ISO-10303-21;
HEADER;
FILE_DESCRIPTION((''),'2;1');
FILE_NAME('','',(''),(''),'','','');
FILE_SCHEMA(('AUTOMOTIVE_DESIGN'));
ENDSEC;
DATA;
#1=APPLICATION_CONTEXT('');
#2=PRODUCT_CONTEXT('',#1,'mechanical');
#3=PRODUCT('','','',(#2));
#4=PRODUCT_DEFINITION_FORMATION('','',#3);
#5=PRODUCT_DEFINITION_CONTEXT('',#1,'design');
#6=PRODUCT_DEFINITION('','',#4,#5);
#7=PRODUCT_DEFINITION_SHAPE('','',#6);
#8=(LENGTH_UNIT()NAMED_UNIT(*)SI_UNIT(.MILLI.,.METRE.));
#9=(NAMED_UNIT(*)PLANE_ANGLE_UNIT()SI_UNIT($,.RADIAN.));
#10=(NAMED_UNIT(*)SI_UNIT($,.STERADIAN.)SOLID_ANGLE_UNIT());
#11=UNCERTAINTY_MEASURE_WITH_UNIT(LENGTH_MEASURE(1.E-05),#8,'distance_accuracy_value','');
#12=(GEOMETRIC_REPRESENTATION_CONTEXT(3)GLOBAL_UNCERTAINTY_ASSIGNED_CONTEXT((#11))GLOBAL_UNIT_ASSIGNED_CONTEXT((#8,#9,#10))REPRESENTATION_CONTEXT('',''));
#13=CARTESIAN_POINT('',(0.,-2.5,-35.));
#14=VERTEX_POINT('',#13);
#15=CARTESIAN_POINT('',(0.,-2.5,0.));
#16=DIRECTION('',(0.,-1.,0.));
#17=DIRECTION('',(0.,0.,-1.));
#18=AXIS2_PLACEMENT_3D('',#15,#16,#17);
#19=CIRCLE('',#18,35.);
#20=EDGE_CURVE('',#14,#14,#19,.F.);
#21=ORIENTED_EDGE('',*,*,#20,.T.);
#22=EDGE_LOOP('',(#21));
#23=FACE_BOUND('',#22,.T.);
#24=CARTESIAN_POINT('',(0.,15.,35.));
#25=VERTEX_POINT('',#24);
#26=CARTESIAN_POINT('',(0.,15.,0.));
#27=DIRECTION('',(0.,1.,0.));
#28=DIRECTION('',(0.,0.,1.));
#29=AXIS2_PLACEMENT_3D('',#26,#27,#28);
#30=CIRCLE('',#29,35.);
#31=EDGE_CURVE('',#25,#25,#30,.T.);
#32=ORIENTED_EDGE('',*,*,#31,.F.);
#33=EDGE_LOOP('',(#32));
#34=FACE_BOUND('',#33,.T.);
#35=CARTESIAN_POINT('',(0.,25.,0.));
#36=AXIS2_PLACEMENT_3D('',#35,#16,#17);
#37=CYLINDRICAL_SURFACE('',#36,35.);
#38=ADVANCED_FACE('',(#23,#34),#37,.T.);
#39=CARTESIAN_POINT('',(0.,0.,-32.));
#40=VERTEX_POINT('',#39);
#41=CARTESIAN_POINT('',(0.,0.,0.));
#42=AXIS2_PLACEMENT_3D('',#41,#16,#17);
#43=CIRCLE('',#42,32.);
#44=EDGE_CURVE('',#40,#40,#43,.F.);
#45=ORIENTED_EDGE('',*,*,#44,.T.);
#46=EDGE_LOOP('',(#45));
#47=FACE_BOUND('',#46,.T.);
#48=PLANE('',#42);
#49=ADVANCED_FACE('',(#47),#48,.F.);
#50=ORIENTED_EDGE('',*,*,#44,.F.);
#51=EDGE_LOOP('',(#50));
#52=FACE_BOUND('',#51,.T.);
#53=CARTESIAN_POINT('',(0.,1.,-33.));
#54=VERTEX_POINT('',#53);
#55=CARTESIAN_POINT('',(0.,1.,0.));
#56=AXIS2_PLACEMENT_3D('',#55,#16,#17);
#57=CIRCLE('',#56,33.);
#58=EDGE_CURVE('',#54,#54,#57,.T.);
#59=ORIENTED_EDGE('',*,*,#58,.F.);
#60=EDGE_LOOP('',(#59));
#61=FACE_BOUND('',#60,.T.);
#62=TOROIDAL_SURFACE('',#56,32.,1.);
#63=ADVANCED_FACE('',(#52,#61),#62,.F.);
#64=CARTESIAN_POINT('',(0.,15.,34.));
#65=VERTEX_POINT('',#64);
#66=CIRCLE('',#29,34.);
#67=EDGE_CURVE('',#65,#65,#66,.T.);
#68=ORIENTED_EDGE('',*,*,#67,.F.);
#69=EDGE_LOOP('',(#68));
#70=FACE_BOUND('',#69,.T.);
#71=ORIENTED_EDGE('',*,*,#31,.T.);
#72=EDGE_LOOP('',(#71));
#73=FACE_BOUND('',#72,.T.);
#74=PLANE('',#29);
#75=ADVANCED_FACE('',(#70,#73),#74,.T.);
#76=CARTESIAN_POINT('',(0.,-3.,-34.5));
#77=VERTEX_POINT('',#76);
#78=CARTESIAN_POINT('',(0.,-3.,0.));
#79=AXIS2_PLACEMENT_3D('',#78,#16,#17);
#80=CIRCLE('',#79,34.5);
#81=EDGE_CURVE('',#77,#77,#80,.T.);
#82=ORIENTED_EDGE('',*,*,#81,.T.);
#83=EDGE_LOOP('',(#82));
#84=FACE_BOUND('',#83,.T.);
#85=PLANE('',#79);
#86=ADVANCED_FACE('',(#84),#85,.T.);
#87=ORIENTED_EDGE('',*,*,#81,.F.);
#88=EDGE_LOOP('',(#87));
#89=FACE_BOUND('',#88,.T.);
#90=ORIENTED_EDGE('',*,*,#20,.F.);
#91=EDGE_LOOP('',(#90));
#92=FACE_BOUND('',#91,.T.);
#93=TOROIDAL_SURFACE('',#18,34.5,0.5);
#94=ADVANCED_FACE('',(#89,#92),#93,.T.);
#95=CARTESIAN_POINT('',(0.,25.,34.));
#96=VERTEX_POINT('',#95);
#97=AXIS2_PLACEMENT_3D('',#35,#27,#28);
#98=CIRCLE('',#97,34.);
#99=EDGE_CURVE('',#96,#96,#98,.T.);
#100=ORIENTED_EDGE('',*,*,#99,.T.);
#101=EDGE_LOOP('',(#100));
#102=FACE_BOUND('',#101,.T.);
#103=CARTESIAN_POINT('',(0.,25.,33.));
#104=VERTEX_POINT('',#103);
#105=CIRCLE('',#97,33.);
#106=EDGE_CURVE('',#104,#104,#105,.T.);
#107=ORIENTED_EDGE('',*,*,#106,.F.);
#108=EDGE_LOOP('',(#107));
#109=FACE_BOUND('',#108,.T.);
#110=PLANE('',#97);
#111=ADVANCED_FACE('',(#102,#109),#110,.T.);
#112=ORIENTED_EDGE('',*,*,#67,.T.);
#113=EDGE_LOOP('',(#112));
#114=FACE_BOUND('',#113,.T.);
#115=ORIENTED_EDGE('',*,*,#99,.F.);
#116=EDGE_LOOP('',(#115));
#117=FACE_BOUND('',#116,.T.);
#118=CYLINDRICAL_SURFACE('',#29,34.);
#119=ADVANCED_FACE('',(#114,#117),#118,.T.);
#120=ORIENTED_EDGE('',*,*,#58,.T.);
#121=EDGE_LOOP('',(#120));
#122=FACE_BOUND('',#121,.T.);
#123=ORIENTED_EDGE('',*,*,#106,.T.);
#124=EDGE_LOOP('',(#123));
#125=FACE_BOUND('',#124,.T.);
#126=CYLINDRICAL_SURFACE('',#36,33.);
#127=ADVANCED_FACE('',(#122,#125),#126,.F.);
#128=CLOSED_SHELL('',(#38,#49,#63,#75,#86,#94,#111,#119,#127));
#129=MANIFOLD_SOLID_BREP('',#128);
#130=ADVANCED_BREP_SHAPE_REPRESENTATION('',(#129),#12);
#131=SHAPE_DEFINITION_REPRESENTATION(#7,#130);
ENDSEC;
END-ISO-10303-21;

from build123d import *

# Parameters (mm, degrees)
SKETCH1_R           = 35
SKETCH1_R_2         = 33
BOSS_EXTRUDE1_DEPTH = 25
EXTRUDE_START       = 3
SKETCH_1_R          = 35
EXTRUDE_1_DEPTH     = 3
CUT_EXTRUDE_START   = -10
SKETCH_3_R          = 35
SKETCH_3_R_2        = 34
CUT_EXTRUDE_1_DEPTH = 10
FILLET_1_R          = 1
FILLET_2_R          = 0.5


with BuildPart() as part:
    # Sketch1 → Boss-Extrude1 (new body)
    with BuildSketch(Plane(origin=(0, 0, 0), x_dir=(1, 0, 0), z_dir=(0, 1, 0))):
        with Locations(Location((0, 0, 0), (0, 0, 270))):
            Circle(SKETCH1_R)
        with Locations(Location((0, 0, 0), (0, 0, 270))):
            Circle(SKETCH1_R_2, mode=Mode.SUBTRACT)
    extrude(amount=BOSS_EXTRUDE1_DEPTH)

    # Эскиз1 → Бобышка-Вытянуть1 (add)
    with BuildSketch(Plane.XZ.offset(EXTRUDE_START)):
        with Locations(Location((0, 0, 0), (0, 0, 270))):
            Circle(SKETCH_1_R)
    extrude(amount=-EXTRUDE_1_DEPTH)

    # Эскиз3 → Вырез-Вытянуть1 (cut)
    with BuildSketch(Plane(origin=(0, 25, 0), x_dir=(1, 0, 0), z_dir=(0, 1, 0)).offset(CUT_EXTRUDE_START)):
        with Locations(Location((0, 0, 0), (0, 0, 90))):
            Circle(SKETCH_3_R)
        with Locations(Location((0, 0, 0), (0, 0, 270))):
            Circle(SKETCH_3_R_2, mode=Mode.SUBTRACT)
    extrude(amount=CUT_EXTRUDE_1_DEPTH, mode=Mode.SUBTRACT)

    # Скругление1
    fillet_1_edges = [part.edges().sort_by_distance(p)[0] for p in [
        (0, 0, -33),
    ]]
    fillet(fillet_1_edges, radius=FILLET_1_R)

    # Скругление2
    fillet_2_edges = [part.edges().sort_by_distance(p)[0] for p in [
        (0, -3, 35),
    ]]
    fillet(fillet_2_edges, radius=FILLET_2_R)


solid = part.part
